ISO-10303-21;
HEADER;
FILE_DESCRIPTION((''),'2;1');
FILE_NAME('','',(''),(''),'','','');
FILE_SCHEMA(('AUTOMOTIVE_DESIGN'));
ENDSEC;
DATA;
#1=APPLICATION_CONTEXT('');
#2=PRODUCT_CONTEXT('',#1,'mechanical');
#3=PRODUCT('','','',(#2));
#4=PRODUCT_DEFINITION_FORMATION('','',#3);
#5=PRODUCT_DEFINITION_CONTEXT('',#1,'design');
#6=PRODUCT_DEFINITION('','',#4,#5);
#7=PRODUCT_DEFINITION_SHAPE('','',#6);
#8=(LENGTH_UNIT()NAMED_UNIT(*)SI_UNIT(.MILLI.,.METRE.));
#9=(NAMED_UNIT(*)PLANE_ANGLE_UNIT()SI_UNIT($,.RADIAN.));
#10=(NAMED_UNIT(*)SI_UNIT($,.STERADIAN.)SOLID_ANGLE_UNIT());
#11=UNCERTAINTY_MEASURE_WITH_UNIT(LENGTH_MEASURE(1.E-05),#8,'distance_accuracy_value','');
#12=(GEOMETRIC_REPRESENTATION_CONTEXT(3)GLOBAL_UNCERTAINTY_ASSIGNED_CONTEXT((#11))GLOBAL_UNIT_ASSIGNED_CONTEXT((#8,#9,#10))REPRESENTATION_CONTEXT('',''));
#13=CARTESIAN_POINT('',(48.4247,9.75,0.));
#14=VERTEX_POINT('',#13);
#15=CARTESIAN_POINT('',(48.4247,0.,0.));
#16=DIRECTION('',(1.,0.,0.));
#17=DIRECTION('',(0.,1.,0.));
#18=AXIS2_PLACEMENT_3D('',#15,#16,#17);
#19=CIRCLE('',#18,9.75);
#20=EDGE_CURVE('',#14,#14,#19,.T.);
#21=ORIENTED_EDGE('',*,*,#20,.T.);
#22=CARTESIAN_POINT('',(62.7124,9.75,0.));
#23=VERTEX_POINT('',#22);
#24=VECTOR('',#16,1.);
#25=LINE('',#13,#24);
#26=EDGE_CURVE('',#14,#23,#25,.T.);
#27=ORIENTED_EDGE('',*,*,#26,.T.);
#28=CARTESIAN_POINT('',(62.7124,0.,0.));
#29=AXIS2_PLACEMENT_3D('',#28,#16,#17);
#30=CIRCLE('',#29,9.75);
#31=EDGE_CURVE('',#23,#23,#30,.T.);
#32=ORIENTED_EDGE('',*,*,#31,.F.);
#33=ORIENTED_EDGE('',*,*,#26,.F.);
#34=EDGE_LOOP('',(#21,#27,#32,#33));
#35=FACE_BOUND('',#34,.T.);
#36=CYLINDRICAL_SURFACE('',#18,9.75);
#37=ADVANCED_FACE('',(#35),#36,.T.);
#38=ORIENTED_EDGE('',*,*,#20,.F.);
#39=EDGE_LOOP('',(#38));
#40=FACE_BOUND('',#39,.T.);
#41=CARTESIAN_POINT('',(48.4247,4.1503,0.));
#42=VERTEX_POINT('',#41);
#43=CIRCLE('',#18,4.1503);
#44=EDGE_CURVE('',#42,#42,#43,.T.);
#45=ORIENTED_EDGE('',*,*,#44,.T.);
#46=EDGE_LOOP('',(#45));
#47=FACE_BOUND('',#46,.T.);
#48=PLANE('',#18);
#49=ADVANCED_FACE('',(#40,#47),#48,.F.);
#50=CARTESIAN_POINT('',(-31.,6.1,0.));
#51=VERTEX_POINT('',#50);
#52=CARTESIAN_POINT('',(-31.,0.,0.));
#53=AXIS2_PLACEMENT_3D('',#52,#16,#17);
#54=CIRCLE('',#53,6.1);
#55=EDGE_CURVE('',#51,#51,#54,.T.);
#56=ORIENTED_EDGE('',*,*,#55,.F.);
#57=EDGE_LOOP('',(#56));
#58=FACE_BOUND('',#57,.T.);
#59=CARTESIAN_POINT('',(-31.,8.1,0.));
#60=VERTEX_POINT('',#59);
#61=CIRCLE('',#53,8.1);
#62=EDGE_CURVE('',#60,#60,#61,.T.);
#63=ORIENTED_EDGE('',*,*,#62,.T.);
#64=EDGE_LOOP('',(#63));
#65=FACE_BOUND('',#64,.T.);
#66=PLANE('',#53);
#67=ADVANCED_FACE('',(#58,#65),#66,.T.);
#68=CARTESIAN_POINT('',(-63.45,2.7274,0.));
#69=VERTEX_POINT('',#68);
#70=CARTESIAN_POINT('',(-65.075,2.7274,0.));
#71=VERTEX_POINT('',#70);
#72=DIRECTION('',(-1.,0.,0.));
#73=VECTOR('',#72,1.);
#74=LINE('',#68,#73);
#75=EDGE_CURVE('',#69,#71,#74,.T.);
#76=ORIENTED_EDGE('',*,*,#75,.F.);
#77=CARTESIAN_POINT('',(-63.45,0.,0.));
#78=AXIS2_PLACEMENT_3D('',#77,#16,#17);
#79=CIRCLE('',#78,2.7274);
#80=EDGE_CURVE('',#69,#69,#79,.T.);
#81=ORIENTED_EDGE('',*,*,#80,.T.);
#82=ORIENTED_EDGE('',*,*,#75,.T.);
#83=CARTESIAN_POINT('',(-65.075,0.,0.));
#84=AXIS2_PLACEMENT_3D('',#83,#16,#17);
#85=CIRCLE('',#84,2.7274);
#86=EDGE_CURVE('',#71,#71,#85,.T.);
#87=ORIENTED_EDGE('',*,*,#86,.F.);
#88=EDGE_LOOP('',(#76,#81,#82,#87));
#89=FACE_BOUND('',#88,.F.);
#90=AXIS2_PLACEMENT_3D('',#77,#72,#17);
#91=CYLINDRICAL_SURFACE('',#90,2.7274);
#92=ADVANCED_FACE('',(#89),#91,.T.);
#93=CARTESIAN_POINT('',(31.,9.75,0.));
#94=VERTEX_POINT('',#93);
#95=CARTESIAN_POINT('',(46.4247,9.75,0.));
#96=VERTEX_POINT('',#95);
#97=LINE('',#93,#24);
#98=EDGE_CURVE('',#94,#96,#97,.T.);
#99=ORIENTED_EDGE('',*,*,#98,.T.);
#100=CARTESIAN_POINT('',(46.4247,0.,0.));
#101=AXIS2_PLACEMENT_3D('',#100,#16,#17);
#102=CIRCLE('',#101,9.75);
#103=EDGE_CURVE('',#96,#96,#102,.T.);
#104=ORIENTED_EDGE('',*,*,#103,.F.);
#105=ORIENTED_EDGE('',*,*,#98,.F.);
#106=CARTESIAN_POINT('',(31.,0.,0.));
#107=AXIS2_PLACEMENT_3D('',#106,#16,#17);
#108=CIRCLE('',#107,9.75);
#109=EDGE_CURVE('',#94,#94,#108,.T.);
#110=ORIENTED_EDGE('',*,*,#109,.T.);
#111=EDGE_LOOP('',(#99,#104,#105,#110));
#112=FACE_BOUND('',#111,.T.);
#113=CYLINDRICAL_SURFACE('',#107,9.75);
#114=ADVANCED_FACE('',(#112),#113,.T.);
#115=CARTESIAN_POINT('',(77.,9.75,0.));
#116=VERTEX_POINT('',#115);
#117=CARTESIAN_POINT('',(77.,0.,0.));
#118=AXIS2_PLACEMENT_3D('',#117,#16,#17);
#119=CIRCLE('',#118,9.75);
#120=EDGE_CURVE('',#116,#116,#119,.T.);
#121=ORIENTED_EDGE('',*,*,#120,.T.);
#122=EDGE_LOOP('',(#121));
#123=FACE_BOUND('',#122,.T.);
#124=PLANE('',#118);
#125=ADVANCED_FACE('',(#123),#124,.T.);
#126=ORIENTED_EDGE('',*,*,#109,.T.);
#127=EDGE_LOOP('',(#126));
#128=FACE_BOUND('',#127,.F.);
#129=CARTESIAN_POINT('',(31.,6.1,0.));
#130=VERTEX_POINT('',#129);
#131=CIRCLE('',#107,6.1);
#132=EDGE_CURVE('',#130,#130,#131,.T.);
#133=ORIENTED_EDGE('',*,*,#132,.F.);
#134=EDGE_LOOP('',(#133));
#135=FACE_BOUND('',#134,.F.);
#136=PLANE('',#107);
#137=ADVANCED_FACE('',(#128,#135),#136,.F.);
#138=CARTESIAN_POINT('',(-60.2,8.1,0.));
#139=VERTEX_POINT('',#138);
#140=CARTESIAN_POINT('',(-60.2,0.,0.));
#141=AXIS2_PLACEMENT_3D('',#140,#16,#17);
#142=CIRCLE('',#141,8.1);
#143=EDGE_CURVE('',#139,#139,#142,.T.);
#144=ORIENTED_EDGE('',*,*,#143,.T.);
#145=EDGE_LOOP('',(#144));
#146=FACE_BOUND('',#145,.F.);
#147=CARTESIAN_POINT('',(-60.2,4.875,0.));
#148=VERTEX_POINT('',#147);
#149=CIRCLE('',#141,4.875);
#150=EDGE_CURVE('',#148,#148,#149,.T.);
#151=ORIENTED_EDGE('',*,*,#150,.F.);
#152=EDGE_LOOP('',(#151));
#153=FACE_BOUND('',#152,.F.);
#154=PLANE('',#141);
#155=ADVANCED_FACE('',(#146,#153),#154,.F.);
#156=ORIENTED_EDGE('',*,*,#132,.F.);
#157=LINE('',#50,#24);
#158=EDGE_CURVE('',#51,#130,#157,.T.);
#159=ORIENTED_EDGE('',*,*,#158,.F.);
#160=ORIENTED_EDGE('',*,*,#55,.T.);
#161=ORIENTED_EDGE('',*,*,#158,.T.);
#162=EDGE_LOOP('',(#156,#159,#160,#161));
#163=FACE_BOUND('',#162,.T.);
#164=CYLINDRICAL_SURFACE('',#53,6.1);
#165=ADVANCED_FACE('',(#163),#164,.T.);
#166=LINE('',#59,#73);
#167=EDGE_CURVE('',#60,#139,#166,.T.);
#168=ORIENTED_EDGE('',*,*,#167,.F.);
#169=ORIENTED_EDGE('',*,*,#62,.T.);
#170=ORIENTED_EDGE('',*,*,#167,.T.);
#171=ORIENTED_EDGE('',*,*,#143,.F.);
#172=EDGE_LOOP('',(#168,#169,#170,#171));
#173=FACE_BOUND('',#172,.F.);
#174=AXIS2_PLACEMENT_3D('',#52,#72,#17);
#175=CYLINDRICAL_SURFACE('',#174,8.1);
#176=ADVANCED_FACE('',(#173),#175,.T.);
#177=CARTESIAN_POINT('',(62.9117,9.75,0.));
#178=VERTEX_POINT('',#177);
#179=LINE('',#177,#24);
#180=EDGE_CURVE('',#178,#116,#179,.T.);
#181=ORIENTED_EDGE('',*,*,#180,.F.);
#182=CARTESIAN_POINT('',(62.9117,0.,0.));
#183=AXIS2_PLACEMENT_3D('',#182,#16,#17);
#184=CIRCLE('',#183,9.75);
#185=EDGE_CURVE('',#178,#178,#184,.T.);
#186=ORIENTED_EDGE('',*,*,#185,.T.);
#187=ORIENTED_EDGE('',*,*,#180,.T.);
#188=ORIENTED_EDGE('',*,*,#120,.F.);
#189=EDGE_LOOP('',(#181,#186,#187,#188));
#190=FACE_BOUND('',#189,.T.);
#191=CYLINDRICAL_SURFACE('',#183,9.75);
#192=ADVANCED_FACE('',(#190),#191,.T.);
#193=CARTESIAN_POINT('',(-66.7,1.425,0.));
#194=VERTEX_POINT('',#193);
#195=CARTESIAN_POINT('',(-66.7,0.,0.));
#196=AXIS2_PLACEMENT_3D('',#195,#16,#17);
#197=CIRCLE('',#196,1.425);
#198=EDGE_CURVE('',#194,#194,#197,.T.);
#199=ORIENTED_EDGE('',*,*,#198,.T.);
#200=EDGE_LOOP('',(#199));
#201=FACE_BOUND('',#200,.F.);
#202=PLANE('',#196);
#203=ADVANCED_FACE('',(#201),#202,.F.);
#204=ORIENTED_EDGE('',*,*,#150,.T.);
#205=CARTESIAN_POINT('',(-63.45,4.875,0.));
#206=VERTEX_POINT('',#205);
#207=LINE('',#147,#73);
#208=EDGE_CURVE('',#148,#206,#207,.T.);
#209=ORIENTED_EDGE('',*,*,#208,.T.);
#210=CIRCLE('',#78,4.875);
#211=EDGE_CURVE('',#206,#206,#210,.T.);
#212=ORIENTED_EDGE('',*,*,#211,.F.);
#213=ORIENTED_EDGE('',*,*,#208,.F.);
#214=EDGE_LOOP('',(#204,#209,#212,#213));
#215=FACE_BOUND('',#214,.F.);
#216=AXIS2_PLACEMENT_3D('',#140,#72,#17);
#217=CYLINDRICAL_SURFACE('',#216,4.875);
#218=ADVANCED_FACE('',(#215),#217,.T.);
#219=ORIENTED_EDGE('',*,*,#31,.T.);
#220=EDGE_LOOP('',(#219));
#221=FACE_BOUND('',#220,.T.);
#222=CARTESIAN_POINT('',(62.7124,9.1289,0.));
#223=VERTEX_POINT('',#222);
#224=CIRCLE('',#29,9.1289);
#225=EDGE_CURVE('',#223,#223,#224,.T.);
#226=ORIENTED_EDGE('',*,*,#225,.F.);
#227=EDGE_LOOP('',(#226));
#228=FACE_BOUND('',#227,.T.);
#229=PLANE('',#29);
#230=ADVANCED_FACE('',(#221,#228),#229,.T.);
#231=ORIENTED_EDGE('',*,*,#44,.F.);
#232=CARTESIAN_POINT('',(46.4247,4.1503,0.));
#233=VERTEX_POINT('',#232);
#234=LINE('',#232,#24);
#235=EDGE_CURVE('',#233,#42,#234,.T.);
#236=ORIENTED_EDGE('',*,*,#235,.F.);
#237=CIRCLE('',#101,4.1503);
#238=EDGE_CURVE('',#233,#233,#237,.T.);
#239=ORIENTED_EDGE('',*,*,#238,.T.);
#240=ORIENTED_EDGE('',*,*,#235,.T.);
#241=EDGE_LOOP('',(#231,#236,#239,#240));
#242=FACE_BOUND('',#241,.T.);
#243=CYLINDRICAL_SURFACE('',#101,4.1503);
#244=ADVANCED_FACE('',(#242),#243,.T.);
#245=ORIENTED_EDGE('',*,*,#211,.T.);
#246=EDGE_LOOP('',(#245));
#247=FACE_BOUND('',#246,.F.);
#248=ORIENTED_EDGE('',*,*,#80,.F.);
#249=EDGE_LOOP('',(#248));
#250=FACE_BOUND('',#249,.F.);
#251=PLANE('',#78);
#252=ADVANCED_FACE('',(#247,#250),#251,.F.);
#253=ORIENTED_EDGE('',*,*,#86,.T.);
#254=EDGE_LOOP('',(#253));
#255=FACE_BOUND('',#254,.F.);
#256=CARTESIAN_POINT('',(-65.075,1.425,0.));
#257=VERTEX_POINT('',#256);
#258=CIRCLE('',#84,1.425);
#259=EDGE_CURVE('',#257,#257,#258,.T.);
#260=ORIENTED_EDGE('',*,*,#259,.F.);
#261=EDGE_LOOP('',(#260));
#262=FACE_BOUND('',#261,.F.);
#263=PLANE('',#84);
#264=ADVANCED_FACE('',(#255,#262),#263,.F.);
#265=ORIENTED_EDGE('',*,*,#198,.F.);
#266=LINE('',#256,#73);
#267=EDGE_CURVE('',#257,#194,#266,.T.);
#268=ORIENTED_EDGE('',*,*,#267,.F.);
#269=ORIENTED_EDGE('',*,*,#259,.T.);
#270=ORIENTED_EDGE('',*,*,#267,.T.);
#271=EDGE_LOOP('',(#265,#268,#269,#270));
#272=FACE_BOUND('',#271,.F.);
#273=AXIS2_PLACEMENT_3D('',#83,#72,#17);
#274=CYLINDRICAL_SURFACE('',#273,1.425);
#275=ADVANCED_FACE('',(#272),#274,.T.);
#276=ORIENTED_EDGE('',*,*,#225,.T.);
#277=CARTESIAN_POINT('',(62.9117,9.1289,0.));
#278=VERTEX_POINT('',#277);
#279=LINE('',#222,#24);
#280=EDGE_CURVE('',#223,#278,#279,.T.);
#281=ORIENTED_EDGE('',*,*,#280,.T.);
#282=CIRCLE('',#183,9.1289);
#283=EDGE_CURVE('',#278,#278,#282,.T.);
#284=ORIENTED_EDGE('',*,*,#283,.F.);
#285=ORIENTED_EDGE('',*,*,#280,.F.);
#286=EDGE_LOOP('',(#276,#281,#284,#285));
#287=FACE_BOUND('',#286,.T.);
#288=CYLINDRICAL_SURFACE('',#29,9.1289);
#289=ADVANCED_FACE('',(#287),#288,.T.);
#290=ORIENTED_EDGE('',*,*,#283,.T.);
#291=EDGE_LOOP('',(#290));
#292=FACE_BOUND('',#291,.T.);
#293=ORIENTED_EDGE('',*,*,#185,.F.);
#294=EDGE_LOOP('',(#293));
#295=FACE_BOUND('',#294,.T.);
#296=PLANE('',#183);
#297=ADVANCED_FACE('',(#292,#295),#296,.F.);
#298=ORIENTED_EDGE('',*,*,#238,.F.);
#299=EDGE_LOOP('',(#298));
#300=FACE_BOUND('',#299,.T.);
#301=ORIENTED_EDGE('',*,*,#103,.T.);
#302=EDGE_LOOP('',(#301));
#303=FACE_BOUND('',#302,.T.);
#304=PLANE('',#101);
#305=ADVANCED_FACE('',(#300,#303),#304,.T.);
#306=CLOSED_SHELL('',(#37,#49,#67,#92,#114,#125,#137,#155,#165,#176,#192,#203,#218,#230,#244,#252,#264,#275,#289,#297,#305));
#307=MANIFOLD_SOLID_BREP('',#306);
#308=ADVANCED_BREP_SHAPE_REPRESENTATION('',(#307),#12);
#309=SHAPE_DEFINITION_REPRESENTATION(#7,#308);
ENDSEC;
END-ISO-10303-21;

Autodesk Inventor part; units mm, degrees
ref_plane "YZ Plane" through (0, 0, 0) normal (1, 0, 0) x (0, 1, 0)
ref_plane "XZ Plane" through (0, 0, 0) normal (0, 1, 0) x (-1, 0, 0)
ref_plane "XY Plane" through (0, 0, 0) normal (0, 0, 1) x (1, 0, 0)
sketch "Sketch1" plane through (0, 0, 0) normal (0, 0, 1) x (1, 0, 0)
  line L0 (-31, 6.1) -> (0, 6.1)
  line L1 (0, 6.1) -> (31, 6.1)
  line L2 (0, 10.5424) -> (0, 0) construction
  line L3 (31, 9.75) -> (31, 6.1)
  line L4 (77, 9.75) -> (77, 0)
  line L5 (46.4247, 9.75) -> (46.4247, 4.1503)
  line L6 (46.4247, 4.1503) -> (48.4247, 4.1503)
  line L7 (48.4247, 4.1503) -> (48.4247, 9.75)
  line L8 (31, 9.75) -> (46.4247, 9.75) construction
  line L9 (31, 9.75) -> (46.4247, 9.75)
  line L10 (62.7124, 9.75) -> (62.7124, 9.1289)
  line L11 (62.7124, 9.1289) -> (62.9117, 9.1289)
  line L12 (62.9117, 9.1289) -> (62.9117, 9.75)
  line L13 (48.4247, 9.75) -> (62.7124, 9.75) construction
  line L14 (62.9117, 9.75) -> (77, 9.75) construction
  line L15 (48.4247, 9.75) -> (62.7124, 9.75)
  line L16 (62.9117, 9.75) -> (77, 9.75)
  line L17 (-31, 8.1) -> (-60.2, 8.1)
  line L18 (-60.2, 8.1) -> (-60.2, 0)
  line L19 (-31, 8.1) -> (-31, 6.1)
  line L20 (-60.2, 4.875) -> (-63.45, 4.875)
  line L21 (-66.7, 0) -> (-60.2, 0)
  line L22 (-63.45, 4.875) -> (-63.45, 2.7274)
  line L23 (-63.45, 2.7274) -> (-65.075, 2.7274)
  line L24 (-65.075, 2.7274) -> (-65.075, 1.425)
  line L25 (-65.075, 1.425) -> (-66.7, 1.425)
  line L26 (-66.7, 1.425) -> (-66.7, 0)
  line L27 (-60.2, 0) -> (77, 0)
  line L28 (-95.44, 0) -> (105.74, 0) projected
  dimension "d1" = 31
  dimension "d2" = 31
  dimension "d3" = 6.1
  dimension "d4" = 46
  dimension "d6" = 2
  dimension "d7" = 29.2
  dimension "d8" = 8.1
  dimension "d10" = 1.425
  dimension "d11" = 6.5
revolve "Revolution1" add sketch "Sketch1" angle 360 about axis through (-10, 0, 0) along (1, 0, 0)
properties part number "PH Monitor"
